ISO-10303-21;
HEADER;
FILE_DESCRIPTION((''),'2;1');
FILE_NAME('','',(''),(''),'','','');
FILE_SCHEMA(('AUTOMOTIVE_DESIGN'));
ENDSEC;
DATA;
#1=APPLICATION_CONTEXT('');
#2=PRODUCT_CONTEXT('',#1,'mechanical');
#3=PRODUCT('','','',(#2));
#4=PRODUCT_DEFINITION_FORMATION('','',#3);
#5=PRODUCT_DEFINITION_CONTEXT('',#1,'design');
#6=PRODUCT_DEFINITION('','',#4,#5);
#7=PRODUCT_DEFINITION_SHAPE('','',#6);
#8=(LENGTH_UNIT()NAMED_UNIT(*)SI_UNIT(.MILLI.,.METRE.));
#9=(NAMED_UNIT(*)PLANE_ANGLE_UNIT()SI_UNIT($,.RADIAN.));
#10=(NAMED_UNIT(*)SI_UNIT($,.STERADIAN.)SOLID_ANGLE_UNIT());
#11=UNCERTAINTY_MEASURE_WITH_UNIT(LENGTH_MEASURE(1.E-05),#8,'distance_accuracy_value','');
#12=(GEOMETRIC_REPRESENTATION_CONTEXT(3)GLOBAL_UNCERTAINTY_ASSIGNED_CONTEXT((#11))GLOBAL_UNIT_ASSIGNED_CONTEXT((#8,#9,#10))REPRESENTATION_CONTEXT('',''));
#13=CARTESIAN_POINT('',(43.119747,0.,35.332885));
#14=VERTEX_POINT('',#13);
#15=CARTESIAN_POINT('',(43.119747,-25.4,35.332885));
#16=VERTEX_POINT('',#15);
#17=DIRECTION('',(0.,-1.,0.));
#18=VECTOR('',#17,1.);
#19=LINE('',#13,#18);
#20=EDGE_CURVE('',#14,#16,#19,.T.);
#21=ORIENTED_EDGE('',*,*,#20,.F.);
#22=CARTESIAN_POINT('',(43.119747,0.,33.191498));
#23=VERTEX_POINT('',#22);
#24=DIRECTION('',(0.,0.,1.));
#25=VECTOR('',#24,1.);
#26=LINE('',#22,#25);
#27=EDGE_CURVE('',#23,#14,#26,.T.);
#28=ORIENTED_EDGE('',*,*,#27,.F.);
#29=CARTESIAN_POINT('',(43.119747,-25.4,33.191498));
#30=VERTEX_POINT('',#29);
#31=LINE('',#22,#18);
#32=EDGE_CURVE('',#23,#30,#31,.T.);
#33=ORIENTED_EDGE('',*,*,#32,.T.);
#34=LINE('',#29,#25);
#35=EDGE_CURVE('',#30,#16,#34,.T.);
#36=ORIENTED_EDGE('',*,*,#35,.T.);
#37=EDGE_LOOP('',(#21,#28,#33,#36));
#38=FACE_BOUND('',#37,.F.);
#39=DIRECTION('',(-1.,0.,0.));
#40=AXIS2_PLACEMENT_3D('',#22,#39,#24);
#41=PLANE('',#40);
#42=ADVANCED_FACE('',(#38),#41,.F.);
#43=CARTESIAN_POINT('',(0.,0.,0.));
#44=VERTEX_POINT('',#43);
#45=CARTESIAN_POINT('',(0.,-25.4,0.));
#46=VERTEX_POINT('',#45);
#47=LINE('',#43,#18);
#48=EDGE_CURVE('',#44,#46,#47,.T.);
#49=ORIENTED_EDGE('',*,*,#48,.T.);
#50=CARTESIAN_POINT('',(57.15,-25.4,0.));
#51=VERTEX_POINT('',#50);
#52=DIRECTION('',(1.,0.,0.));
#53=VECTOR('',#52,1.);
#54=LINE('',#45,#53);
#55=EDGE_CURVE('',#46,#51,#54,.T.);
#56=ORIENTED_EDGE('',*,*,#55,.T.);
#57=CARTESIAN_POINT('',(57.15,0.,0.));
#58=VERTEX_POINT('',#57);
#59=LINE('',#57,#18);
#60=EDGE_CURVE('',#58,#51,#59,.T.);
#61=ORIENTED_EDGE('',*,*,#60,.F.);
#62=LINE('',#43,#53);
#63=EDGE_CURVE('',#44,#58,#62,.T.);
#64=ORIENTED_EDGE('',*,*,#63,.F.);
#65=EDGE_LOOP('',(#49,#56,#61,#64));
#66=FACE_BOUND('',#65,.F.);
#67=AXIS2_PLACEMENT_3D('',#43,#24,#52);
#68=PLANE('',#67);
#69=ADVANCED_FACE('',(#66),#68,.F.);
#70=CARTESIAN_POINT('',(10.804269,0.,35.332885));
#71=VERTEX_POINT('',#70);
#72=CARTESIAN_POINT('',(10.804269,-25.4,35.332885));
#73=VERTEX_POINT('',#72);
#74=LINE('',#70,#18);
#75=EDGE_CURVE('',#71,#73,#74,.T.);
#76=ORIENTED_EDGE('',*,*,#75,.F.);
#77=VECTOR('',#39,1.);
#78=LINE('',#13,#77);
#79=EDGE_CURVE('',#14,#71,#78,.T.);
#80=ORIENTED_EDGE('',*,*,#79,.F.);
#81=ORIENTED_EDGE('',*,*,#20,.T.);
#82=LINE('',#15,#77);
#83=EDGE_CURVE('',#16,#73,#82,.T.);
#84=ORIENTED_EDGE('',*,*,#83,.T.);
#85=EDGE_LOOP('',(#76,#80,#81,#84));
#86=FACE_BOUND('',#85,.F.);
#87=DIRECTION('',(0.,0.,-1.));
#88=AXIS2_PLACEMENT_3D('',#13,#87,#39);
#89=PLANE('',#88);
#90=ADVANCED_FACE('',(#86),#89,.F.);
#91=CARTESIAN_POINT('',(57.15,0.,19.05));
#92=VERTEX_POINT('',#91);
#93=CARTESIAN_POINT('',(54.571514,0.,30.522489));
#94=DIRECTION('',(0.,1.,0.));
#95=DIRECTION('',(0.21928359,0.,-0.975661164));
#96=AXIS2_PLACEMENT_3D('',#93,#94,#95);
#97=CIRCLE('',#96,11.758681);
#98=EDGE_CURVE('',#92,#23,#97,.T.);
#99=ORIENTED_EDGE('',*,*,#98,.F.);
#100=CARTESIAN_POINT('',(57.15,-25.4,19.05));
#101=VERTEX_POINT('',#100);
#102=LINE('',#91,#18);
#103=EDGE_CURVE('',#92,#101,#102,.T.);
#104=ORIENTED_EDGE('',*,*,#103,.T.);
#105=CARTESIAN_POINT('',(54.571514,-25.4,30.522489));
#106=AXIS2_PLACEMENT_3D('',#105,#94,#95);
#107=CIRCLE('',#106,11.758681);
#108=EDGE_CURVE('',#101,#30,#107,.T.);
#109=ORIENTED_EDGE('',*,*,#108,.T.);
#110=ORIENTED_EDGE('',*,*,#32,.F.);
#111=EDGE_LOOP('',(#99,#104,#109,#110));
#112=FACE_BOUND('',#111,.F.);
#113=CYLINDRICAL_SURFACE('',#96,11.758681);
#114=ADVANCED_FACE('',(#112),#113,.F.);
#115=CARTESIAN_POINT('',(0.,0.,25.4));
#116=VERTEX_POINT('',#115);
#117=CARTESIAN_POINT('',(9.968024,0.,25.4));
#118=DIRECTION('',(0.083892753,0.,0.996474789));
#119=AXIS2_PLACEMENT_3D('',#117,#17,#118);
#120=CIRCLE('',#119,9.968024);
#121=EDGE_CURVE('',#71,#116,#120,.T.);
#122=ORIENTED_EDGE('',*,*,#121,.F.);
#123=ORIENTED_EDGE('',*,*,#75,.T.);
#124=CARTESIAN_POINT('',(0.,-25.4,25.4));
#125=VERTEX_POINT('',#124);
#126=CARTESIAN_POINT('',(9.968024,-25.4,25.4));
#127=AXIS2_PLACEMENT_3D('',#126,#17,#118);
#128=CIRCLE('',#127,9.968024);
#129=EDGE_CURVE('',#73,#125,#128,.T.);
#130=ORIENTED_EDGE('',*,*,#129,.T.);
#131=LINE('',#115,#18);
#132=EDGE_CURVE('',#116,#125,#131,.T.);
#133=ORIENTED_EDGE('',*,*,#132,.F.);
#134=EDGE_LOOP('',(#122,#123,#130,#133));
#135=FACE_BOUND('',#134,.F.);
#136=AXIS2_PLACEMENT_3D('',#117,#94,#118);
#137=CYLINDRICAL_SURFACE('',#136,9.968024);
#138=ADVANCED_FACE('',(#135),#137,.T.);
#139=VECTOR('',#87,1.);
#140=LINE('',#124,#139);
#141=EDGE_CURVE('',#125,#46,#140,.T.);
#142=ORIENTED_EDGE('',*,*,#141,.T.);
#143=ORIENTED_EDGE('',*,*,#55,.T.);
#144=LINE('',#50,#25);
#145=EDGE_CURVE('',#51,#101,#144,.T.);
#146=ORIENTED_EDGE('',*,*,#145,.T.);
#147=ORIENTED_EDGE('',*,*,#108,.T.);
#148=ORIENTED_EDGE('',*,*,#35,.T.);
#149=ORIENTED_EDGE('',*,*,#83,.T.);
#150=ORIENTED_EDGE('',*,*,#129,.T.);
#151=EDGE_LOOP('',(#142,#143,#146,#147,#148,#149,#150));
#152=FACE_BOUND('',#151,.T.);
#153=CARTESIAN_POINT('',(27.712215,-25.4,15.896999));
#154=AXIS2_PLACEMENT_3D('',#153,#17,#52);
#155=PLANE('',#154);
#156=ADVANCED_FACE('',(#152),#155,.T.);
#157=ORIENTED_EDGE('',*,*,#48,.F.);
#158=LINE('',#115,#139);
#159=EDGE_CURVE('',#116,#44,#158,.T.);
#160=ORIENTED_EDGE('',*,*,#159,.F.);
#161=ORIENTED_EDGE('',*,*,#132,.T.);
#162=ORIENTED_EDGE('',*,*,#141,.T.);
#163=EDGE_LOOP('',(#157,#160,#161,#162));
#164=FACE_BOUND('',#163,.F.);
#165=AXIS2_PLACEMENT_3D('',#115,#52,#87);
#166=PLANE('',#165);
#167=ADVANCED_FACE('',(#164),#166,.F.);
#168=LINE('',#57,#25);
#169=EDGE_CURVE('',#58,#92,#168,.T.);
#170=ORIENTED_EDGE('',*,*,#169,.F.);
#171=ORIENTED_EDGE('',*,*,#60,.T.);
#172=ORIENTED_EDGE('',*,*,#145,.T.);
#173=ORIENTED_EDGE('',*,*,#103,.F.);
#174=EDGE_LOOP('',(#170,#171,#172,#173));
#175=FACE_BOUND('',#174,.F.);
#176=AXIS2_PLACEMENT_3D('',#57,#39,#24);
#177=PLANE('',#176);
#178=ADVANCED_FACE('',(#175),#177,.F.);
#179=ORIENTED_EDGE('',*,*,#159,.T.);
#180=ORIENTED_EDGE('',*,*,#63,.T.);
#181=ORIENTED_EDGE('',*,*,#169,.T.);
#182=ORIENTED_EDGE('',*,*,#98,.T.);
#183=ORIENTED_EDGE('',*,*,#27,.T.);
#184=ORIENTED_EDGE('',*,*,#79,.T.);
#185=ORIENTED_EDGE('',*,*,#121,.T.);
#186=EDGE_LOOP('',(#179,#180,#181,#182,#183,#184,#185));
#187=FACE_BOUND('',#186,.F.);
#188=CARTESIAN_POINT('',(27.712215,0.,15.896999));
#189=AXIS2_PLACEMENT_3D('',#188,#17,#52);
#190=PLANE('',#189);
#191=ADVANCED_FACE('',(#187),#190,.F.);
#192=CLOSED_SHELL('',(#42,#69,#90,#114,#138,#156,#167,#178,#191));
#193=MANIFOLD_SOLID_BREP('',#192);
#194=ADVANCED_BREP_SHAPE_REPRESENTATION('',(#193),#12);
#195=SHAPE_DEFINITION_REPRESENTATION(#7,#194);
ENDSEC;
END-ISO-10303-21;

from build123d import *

# Parameters (mm, degrees)
F1_DEPTH = 25.4


with BuildPart() as f1:
    # F0 (on Front) → F1 (new body)
    with BuildSketch(Plane.XZ):
        with BuildLine():
            Line((0, 25.4), (0, 0))
            Line((0, 0), (57.15, 0))
            Line((57.15, 0), (57.15, 19.05))
            ThreePointArc((57.15, 19.05), (46.224103, 22.240743), (43.119747, 33.191498))
            Line((43.119747, 33.191498), (43.119747, 35.332885))
            Line((43.119747, 35.332885), (10.804269, 35.332885))
            ThreePointArc((10.804269, 35.332885), (3.221699, 32.738161), (0, 25.4))
        make_face()
    extrude(amount=F1_DEPTH)


solid = f1.part
